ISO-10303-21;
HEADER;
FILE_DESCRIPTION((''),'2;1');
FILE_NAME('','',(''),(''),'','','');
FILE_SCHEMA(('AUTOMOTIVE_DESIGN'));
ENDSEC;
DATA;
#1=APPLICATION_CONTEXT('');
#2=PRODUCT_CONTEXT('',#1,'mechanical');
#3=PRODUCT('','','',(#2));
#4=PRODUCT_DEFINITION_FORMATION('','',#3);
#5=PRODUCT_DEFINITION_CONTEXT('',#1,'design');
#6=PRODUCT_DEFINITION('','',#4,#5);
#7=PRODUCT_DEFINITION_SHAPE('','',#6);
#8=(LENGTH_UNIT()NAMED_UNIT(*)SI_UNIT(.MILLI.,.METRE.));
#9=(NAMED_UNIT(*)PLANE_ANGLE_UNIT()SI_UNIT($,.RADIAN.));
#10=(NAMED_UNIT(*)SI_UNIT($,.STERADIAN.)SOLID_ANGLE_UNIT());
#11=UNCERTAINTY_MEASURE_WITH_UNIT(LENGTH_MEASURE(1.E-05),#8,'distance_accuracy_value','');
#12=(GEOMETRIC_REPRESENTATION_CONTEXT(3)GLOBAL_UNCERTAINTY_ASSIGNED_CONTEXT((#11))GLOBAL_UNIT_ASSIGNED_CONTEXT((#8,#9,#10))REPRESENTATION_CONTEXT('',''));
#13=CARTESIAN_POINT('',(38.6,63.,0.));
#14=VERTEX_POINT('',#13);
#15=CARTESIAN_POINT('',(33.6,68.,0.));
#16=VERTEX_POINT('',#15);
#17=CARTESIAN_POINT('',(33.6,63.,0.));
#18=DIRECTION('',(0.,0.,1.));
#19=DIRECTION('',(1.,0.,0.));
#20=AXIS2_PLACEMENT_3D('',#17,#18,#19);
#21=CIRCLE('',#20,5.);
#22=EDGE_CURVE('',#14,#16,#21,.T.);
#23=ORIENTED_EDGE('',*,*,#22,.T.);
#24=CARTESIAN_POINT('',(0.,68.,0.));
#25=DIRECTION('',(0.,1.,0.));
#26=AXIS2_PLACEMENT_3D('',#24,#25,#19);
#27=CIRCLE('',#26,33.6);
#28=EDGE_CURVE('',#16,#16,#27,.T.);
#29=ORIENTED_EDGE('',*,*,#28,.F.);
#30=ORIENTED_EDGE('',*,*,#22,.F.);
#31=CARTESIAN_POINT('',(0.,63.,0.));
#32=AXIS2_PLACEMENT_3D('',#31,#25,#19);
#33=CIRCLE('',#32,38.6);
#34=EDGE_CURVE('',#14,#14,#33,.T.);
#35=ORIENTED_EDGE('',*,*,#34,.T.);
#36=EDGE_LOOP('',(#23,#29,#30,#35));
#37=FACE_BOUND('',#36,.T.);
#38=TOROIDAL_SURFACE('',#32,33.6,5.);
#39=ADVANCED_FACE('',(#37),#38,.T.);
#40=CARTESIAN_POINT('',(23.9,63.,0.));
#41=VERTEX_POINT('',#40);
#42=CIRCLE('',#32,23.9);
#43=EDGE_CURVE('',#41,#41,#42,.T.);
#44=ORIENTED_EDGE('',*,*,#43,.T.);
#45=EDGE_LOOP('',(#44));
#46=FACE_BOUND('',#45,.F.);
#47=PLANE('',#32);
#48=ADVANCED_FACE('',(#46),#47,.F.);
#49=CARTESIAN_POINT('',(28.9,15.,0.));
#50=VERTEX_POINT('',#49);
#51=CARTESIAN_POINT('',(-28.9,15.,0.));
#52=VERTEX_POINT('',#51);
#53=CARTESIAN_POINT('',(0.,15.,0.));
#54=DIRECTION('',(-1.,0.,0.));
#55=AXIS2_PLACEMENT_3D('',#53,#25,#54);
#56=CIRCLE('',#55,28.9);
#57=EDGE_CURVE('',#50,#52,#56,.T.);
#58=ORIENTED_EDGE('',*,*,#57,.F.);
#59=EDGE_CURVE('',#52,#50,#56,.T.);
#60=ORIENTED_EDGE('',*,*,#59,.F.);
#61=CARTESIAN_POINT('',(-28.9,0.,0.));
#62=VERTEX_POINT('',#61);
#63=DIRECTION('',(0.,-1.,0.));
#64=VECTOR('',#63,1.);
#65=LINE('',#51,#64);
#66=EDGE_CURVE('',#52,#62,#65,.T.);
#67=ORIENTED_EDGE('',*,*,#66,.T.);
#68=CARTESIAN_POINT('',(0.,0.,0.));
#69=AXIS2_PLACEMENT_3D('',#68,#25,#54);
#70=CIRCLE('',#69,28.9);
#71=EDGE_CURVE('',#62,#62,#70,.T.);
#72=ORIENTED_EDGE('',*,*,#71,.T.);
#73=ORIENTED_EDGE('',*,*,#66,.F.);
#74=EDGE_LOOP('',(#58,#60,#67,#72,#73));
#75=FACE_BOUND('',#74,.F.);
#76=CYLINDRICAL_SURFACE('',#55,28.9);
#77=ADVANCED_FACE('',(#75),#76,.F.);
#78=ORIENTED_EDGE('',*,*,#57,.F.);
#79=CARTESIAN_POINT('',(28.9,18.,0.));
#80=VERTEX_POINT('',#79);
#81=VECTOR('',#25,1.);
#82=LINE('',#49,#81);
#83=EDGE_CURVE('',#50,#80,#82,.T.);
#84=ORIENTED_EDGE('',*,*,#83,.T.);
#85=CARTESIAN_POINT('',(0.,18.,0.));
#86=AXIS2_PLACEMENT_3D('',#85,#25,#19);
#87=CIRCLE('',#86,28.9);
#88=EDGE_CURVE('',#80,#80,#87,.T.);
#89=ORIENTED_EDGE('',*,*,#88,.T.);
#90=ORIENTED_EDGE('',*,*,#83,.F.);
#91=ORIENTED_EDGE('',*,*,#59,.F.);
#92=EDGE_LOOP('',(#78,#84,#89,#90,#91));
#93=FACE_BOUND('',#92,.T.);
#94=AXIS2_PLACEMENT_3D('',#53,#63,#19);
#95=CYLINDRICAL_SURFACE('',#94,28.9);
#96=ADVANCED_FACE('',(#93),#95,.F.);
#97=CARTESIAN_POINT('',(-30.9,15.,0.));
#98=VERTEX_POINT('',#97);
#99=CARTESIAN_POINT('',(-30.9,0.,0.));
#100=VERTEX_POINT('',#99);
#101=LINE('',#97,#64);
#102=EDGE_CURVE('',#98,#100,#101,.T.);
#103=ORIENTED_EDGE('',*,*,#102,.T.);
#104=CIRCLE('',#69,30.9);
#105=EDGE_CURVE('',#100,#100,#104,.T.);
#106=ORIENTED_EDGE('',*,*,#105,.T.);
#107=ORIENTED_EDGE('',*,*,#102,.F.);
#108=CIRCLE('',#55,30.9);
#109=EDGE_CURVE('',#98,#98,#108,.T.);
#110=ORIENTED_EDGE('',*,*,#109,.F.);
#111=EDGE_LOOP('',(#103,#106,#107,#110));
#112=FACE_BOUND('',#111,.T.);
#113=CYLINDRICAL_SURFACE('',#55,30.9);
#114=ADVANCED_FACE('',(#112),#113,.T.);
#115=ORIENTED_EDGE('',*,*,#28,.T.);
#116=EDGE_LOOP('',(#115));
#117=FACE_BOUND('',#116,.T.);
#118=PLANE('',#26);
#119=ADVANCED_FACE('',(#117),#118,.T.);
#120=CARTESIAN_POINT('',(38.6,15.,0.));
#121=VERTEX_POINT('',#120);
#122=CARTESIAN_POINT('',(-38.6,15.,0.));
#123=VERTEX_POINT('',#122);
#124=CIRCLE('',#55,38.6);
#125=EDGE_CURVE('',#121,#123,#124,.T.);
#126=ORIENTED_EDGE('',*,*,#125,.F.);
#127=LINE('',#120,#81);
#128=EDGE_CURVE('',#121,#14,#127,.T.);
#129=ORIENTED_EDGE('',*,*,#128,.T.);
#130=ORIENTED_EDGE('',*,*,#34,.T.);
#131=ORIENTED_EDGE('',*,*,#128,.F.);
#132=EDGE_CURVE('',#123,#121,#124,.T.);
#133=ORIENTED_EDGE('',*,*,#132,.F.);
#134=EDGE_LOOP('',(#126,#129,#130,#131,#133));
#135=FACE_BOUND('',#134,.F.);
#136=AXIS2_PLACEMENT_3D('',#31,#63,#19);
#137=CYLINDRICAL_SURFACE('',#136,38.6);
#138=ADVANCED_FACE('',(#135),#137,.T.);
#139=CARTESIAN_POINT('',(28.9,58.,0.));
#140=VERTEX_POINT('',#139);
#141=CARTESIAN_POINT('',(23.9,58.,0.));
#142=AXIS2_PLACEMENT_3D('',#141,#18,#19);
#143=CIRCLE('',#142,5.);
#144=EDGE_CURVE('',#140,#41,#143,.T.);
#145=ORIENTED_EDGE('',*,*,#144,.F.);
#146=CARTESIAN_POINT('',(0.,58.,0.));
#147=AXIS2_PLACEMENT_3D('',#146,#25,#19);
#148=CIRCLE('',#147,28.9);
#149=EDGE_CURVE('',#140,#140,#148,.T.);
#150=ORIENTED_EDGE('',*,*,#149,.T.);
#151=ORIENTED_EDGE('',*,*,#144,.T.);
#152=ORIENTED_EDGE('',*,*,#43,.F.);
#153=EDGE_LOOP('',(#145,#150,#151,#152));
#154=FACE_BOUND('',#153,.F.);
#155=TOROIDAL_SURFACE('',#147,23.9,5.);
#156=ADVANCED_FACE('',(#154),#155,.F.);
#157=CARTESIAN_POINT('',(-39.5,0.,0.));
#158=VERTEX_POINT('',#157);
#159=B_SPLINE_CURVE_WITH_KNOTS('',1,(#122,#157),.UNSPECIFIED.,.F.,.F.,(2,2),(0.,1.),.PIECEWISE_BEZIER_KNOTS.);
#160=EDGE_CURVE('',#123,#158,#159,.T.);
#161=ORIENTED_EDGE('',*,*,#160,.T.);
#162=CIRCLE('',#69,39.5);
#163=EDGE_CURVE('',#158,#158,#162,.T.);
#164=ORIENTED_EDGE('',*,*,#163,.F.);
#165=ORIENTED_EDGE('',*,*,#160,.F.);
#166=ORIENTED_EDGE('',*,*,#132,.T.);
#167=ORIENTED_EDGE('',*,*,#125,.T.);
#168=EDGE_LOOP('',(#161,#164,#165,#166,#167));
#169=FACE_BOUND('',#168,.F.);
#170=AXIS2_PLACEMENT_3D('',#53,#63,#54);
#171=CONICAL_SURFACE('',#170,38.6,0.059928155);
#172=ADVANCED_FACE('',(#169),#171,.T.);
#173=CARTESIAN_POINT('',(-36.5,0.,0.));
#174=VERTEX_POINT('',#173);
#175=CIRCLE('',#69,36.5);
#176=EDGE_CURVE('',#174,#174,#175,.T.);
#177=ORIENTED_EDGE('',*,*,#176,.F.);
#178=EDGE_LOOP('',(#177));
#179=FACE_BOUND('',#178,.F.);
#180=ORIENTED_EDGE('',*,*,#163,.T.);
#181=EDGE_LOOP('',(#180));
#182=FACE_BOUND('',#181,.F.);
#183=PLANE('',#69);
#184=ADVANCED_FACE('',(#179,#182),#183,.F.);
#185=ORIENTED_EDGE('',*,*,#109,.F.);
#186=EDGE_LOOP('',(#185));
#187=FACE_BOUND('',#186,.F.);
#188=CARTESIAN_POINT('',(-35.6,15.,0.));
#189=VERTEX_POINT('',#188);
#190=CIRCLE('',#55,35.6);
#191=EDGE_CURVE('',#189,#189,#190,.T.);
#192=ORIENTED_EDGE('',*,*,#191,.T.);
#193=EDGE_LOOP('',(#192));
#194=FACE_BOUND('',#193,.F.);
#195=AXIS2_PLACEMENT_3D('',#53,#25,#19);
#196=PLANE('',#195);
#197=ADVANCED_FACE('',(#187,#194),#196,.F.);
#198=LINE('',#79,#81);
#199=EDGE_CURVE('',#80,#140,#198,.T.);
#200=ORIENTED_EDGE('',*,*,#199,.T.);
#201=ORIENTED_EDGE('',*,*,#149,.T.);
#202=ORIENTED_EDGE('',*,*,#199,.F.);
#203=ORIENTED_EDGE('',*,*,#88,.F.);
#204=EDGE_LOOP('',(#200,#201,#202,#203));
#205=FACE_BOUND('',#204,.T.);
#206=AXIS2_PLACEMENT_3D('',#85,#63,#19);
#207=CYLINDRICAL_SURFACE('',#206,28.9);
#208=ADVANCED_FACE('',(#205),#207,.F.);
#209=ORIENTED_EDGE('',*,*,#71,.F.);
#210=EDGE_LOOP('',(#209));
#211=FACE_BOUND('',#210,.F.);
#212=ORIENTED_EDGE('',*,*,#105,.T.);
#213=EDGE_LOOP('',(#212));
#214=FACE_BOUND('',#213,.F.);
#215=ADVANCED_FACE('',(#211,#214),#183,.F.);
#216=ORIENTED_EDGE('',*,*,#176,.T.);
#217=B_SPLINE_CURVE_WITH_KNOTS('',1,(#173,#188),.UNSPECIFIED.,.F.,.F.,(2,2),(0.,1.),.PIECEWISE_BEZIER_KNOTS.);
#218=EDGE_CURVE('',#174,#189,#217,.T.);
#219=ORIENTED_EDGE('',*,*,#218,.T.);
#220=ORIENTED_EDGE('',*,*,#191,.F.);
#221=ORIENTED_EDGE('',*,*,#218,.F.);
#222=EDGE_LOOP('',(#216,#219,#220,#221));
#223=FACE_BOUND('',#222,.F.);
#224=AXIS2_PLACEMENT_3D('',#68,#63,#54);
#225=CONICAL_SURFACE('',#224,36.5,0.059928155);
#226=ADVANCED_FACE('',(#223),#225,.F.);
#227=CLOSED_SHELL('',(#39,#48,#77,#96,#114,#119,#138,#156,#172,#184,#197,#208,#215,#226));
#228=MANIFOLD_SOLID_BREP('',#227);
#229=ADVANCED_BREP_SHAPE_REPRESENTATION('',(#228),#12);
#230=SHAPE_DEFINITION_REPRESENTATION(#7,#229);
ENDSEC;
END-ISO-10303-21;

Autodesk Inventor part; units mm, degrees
ref_plane "YZ Plane" through (0, 0, 0) normal (1, 0, 0) x (0, 1, 0)
sketch "Sketch1" plane through (0, 0, 0) normal (0, 1, 0) x (-1, 0, 0)
  circle A0 centre (0, 0) radius 35.1 construction
  circle A1 centre (0, 0) radius 31.4 construction
  circle A2 centre (0, 0) radius 36 construction
  circle A3 centre (0, 0) radius 27.65 construction
  circle A4 centre (0, 0) radius 32.3 construction
  circle A5 centre (0, 0) radius 31.8
  circle A6 centre (0, 0) radius 36.5
  circle A7 centre (0, 0) radius 29.8
  circle A8 centre (0, 0) radius 39.5
  dimension "d0" = 70.2
  dimension "d1" = 62.8
  dimension "d2" = 72
  dimension "d3" = 55.3
  dimension "d4" = 0.9
  dimension "d5" = 0.9
  dimension "d6" = 0.5
  dimension "d7" = 0.5
  dimension "d11" = 2
  dimension "d12" = 3
ref_plane "Work Plane1" through (0, 15, 0) normal (0, 1, 0) x (-1, 0, 0)
sketch "Sketch2" plane through (0, 15, 0) normal (0, 1, 0) x (-1, 0, 0)
  circle A0 centre (0, 0) radius 35.1 construction
  circle A1 centre (0, 0) radius 31.4 construction
  circle A2 centre (0, 0) radius 35.6
  circle A3 centre (0, 0) radius 30.9
  circle A4 centre (0, 0) radius 38.6
  circle A5 centre (0, 0) radius 28.9
  dimension "d9" = 0.5
  dimension "d10" = 0.5
  dimension "d13" = 3
  dimension "d14" = 2
loft "Loft1" add profiles "Sketch2", "Sketch1" contours A2 | A3 | A4 | A5 / A5 | A6 | A7 | A8
loft "Loft2" cut profiles "Sketch1", "Sketch2" contours A5 | A6 | A7 / A2 | A3 | A5
extrude "Extrusion1" add sketch "Sketch2" against normal up to surface (15 mm away) contours A3
sketch "Sketch3" plane through (0, 15, 0) normal (0, 1, 0) x (1, 0, 0)
  circle A0 centre (0, 0) radius 38.6 projected
  circle A1 centre (0, 0) radius 28.9 projected
  circle A2 centre (0, 0) radius 60.865
  dimension "d27" = 121.73
extrude "Extrusion2" add sketch "Sketch3" along normal blind 3 contours A0
ref_plane "Mating Plane with Cooling Shroud" through (0, 72.6, 0) normal (0, -1, 0) x (1, 0, 0)
ref_plane "Plane of the K flange face" through (0, 39, 0) normal (0, -1, 0) x (1, 0, 0)
sketch "Sketch4" plane through (0, 0, 0) normal (0, 1, 0) x (1, 0, 0)
  circle A0 centre (0, 0) radius 55 construction
  circle A1 centre (0, 55) radius 2.9
  circle A2 centre (0, 0) radius 39.5 construction
  circle A3 centre (0, 0) radius 60.865
  circle A4 centre (0, 0) radius 39.5 projected
  circle A5 centre (0, 0) radius 36.5 projected
  dimension "d30" = 110
  dimension "d31" = 5.8
  dimension "d32" = 121.73
extrude "Extrusion3" [suppressed]
extrude "Extrusion4" [suppressed]
pattern_circular "Circular Pattern1" [suppressed]
sketch "Sketch5" plane through (0, 18, 0) normal (0, 1, 0) x (1, 0, 0)
  circle A0 centre (0, 0) radius 28.9 projected
  circle A1 centre (0, 0) radius 31.9
  dimension "d40" = 3
extrude "Extrusion5" [suppressed]
sketch "Sketch7" plane through (0, 0, 0) normal (1, 0, 0) x (0, 1, 0)
  line L0 (0, -60.865) -> (3, -60.865) projected
  line L1 (3, -60.865) -> (3, 60.865) projected
  line L2 (0, -39.5) -> (15, -38.6) projected
  line L3 (15, -38.6) -> (18, -38.6) projected
  line L4 (18, -38.6) -> (18, 38.6) projected
  line L5 (18, -31.9) -> (72.6, -31.9) projected
  line L6 (3, -60.865) -> (72.6, -60.865)
  line L7 (72.6, -60.865) -> (72.6, -31.9)
  line L8 (-14.1, 0) -> (84.6, 0) projected
  point P0 (0, 0)
revolve "Revolution1" [suppressed]
pattern_circular "Circular Pattern2" [suppressed]
extrude "Extrusion6" [suppressed]
pattern_circular "Circular Pattern3" [suppressed]
sketch "Sketch8" plane through (0, 72.6, 0) normal (0, 1, 0) x (-1, 0, 0)
  circle A0 centre (0, 0) radius 39.85
  point P0 (0, 0)
  dimension "d52" = 79.7
extrude "Extrusion7" [suppressed]
sketch "Sketch9" plane through (0, 55.6, 0) normal (0, 1, 0) x (1, 0, 0)
  circle A0 centre (0, 0) radius 19.55
  arc A1 (-24.4368, -20.5049) -> (24.4368, -20.5049) centre (0, 0) ccw projected
  circle A2 centre (0, 0) radius 31.9
  point P0 (-24.4368, -20.5049)
  dimension "d57" = 39.1
extrude "Extrusion8" [suppressed]
sketch "Sketch10" plane through (0, 57.6, 0) normal (0, 1, 0) x (1, 0, 0)
  arc A0 (6, -25.55) -> (-6, -25.55) centre (0, -25.55) ccw
  line L0 (-6, -31.9) -> (6, -31.9) construction
  circle A1 centre (0, 0) radius 31.9 projected
  line L1 (-6, -31.9) -> (-6, -25.55)
  line L2 (6, -31.9) -> (6, -25.55)
  circle A2 centre (0, 0) radius 19.55 projected
  point P0 (0, -31.9)
  point P1 (-6, -31.3307)
  point P2 (6, -31.3307)
  dimension "d58" = 12
  dimension "d60" = 12
extrude "Extrusion9" [suppressed]
ref_plane "Work Plane4" through (0, 67.6, 31.9) normal (0, 0, 1) x (1, 0, 0)
sketch "Sketch11" plane through (0, 67.6, 31.9) normal (0, 0, 1) x (1, 0, 0)
  circle A0 centre (0, -5) radius 3.85
  line L0 (6, 0) -> (-6, 0) projected
  line L1 (-6, -10) -> (-6, 0) projected
  point P0 (0, -67.6)
  point P1 (0, 0)
  point P2 (-6, -5)
  dimension "d63" = 7.7
extrude "Extrusion10" [suppressed]
sketch "Sketch12" plane through (0, 67.6, 0) normal (0, 1, 0) x (1, 0, 0)
  point P0 (0, 0)
sketch "Sketch13" plane through (0, 62.6, 22.9) normal (0, 0, 1) x (1, 0, 0)
  circle A0 centre (0, 0) radius 0.75
  point P0 (0, -62.6)
  dimension "d66" = 1.5
extrude "Extrusion11" [suppressed]
sketch "Sketch15" plane through (0, 55.6, 0) normal (0, -1, 0) x (1, 0, 0)
  line L0 (-3.85, 22.9) -> (3.85, 22.9) projected
  circle A0 centre (0, 22.9) radius 1.5
  point P0 (0, 0)
  point P1 (-0.75, 22.9)
  point P2 (0.75, 22.9)
  dimension "d71" = 3
ref_plane "Work Plane5" through (0, 66.45, 31.9) normal (0, 1, 0) x (-1, 0, 0)
extrude "Extrusion12" [suppressed]
sketch "Sketch16" plane through (0, 57.6, 0) normal (0, 1, 0) x (1, 0, 0)
  line L0 (-19.55, 0) -> (-19.55, -35)
  line L1 (-19.55, -35) -> (19.55, -35)
  line L2 (19.55, -35) -> (19.55, 0)
  circle A0 centre (0, 0) radius 19.55 projected
  line L3 (-19.05, 0) -> (-19.05, -35)
  line L4 (19.05, 0) -> (19.05, -35)
  line L5 (-19.55, 0) -> (19.55, 0)
  point P0 (19.55, 0)
  point P1 (-19.05, -4.3932)
  point P2 (19.05, -4.3932)
  dimension "d74" = 0.5
  dimension "d75" = 0.5
  dimension "d76" = 35
extrude "Extrusion13" [suppressed]
ref_plane "Inside Plane of Lid Top" through (0, 63, 0) normal (0, -1, 0) x (1, 0, 0)
ref_plane "Top of the Dewar Neck" through (0, 38, 0) normal (0, -1, 0) x (1, 0, 0)
sketch "Sketch18" plane through (0, 18, 0) normal (0, 1, 0) x (1, 0, 0)
  circle A0 centre (0, 0) radius 38.6 projected
  circle A1 centre (0, 0) radius 28.9 projected
extrude "Extrusion14" add sketch "Sketch18" along normal up to surface (45 mm away)
sketch "Sketch19" plane through (0, 63, 0) normal (0, 1, 0) x (1, 0, 0)
  circle A0 centre (0, 0) radius 38.6 projected
extrude "Extrusion15" add sketch "Sketch19" along normal blind 5
fillet "Fillet1" radius 5 1 edges at (-38.6, 68, 0)
fillet "Fillet2" radius 5 1 edges at (-28.9, 63, 0)
properties part number "Pope8697-Adapter_3DPrint"
